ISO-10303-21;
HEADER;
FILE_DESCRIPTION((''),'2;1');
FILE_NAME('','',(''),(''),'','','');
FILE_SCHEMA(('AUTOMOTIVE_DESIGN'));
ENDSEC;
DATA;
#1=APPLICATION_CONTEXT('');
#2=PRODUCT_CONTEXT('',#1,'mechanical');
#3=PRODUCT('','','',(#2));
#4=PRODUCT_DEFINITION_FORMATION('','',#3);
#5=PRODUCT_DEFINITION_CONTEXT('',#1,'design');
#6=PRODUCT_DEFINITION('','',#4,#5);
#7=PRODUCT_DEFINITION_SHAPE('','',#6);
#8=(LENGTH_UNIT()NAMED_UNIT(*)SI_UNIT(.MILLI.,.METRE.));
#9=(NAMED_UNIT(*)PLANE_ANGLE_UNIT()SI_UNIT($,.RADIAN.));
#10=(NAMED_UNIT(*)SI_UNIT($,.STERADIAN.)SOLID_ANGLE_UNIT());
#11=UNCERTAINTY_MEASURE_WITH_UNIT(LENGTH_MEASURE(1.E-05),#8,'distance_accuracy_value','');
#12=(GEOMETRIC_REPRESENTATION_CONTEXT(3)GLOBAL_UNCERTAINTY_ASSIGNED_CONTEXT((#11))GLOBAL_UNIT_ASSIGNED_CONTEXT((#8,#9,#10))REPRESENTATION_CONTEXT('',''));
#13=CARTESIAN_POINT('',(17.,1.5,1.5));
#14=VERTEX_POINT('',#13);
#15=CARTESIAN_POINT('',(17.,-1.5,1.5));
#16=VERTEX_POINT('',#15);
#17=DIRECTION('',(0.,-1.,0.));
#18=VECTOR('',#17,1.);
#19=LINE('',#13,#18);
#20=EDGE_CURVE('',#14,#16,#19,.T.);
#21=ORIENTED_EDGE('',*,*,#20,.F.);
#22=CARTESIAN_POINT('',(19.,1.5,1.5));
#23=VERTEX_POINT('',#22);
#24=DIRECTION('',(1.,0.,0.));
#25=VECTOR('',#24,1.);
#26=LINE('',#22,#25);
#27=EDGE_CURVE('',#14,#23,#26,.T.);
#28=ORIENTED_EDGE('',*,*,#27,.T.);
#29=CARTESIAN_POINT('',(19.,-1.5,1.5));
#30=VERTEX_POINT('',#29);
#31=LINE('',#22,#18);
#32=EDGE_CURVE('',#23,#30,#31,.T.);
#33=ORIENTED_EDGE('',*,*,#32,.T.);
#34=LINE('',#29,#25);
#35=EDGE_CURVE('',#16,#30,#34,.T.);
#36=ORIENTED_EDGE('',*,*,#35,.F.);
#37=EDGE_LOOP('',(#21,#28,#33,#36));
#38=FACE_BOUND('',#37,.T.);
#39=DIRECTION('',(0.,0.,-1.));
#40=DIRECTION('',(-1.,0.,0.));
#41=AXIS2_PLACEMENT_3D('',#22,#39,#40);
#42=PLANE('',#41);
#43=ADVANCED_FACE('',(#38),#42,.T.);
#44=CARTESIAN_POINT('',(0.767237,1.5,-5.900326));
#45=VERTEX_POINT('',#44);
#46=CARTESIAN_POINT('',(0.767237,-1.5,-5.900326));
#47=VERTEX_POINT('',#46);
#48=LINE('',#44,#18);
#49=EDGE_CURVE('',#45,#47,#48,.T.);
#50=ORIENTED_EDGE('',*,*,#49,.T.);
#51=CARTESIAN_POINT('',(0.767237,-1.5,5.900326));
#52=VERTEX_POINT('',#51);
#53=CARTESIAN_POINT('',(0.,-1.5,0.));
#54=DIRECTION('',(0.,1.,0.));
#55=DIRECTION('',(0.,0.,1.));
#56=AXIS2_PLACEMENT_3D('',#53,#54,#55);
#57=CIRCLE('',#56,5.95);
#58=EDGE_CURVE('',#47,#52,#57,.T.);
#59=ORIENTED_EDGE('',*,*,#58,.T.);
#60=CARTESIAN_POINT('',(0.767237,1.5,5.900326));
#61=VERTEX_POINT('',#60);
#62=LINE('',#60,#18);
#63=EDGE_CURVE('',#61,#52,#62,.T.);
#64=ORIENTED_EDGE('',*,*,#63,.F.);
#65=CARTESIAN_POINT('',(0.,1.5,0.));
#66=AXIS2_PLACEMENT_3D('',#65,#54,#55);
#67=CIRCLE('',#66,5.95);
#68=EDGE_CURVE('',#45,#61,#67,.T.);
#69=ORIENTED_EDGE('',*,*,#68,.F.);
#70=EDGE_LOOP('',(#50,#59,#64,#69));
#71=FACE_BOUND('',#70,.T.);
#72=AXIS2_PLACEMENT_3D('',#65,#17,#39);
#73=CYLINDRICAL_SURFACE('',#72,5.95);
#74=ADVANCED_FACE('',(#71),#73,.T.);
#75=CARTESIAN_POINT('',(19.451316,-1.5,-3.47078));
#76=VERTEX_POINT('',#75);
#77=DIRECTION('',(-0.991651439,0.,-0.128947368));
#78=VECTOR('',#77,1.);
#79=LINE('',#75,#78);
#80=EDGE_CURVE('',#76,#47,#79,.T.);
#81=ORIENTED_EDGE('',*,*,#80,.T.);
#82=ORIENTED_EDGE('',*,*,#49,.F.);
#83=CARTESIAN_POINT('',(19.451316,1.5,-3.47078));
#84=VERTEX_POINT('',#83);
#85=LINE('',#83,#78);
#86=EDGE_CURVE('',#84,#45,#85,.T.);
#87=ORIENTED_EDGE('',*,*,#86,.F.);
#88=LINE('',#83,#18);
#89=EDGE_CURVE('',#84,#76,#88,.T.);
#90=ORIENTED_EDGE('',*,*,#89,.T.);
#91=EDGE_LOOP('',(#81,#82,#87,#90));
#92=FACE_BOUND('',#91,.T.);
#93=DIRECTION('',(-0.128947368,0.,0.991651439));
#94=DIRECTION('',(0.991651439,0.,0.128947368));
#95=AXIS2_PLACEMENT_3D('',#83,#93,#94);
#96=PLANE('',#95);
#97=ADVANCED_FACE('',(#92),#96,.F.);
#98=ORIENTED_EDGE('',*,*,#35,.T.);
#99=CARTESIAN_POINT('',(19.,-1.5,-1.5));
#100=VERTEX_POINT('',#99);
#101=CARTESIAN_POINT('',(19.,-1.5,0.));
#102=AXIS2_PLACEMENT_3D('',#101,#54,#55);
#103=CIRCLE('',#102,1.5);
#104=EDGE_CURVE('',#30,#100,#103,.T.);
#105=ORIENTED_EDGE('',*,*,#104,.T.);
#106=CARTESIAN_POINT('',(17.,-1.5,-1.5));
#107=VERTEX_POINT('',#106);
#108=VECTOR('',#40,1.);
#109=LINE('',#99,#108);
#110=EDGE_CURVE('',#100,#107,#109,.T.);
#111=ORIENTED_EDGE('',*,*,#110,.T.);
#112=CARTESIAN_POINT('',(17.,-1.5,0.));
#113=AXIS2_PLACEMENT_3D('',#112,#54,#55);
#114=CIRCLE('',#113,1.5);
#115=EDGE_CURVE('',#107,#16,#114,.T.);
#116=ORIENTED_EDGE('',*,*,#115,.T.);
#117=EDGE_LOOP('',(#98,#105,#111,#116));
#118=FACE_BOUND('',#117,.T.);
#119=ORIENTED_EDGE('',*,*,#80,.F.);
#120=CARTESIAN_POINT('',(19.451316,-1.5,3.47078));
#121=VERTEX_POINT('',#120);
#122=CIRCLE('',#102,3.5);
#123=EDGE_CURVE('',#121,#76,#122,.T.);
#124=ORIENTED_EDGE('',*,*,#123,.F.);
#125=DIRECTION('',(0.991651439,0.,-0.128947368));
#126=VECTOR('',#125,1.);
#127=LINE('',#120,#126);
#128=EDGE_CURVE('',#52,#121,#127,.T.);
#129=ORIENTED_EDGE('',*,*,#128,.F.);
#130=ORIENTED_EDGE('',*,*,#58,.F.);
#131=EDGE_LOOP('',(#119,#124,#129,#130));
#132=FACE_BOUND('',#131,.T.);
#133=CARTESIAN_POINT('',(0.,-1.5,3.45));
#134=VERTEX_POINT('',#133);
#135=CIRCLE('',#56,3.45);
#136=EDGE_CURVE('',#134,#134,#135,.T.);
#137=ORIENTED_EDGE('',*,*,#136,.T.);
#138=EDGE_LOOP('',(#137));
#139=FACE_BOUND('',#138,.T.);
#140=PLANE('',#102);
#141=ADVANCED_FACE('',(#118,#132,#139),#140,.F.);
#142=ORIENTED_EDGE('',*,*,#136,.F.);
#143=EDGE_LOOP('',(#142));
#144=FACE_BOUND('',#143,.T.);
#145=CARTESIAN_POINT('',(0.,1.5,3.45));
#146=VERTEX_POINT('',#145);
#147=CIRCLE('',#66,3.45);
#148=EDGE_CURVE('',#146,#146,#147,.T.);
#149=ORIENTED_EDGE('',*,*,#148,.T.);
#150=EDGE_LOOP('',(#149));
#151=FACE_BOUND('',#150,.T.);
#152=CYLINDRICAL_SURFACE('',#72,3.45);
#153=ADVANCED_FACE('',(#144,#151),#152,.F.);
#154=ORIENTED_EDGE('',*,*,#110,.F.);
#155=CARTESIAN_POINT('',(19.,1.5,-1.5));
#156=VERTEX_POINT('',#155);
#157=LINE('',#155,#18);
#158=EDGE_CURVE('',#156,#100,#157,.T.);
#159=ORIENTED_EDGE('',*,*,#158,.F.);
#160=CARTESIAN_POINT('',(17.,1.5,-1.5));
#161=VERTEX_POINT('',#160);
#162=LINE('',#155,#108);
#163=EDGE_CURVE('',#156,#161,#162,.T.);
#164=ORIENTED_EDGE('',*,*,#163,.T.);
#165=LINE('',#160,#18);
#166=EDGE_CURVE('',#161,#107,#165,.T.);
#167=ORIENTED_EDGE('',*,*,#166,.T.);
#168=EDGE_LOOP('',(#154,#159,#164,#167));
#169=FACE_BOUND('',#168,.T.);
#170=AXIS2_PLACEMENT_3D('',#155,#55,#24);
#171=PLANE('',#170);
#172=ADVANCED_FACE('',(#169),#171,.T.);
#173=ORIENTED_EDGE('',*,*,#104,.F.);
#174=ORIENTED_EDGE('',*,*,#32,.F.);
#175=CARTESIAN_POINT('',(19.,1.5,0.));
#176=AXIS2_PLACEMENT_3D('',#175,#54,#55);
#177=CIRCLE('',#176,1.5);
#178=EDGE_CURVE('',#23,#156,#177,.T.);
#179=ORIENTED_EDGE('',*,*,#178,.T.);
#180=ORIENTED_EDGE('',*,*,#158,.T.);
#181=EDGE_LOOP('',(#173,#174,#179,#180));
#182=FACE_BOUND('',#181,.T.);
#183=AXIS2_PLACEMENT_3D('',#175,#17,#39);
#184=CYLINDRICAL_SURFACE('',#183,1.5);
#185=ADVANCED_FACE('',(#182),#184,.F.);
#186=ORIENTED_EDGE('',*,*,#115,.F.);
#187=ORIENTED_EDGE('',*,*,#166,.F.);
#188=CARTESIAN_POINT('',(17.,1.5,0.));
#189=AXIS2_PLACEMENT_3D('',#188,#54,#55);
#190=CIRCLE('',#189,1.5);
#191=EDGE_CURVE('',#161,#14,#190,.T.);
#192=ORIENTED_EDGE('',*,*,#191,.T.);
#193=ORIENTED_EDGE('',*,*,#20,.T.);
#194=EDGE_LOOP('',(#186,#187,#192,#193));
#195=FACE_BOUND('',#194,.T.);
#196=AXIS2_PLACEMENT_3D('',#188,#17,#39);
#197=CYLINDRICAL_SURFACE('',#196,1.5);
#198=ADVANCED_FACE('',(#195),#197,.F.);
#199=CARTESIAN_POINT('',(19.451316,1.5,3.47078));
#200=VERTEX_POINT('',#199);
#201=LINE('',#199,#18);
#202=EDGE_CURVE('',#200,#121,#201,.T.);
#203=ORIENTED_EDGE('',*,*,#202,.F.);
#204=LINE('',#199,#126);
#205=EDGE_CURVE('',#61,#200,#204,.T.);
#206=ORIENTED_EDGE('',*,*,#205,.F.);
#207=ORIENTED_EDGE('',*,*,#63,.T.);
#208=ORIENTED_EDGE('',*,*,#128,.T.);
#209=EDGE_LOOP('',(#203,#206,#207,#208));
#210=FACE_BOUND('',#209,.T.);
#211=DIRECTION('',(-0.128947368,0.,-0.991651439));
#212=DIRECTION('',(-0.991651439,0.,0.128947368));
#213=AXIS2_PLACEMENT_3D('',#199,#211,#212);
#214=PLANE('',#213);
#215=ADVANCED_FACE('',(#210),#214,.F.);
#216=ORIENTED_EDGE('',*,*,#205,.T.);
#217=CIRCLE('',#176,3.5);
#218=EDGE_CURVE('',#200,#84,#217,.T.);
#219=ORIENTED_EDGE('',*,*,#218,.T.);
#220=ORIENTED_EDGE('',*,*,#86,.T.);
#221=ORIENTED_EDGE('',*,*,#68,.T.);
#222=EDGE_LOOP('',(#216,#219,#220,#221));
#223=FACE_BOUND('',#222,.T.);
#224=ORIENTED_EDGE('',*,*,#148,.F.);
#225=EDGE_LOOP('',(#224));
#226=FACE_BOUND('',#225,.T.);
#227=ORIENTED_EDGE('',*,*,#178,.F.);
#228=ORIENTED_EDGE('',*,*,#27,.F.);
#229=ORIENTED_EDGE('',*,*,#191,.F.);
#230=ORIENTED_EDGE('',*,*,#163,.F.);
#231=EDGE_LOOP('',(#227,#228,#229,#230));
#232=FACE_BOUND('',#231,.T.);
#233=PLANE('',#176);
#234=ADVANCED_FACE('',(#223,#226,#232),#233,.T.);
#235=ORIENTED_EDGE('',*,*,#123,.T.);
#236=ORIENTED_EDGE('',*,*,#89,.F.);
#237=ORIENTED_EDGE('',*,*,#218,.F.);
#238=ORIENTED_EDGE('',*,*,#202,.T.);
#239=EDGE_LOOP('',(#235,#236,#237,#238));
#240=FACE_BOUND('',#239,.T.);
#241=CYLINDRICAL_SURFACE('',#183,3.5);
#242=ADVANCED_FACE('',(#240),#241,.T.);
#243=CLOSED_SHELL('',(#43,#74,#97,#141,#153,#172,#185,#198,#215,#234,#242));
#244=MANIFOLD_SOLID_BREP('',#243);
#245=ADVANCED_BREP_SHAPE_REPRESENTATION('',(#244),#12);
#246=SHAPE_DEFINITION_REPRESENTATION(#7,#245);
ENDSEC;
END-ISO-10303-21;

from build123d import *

# Parameters (mm, degrees)
SKETCH1_R           = 3.45
BOSS_EXTRUDE1_DEPTH = 1.5


with BuildPart() as part:
    # Sketch1 → Boss-Extrude1 (new, symmetric)
    with BuildSketch(Plane(origin=(0, 0, 0), x_dir=(1, 0, 0), z_dir=(0, 1, 0))):
        with BuildLine():
            Line((19.451315789, 3.470780036), (0.767236842, 5.900326061))
            ThreePointArc((0.767236842, 5.900326061), (-5.95, 0), (0.767236842, -5.900326061))
            Line((0.767236842, -5.900326061), (19.451315789, -3.470780036))
            ThreePointArc((19.451315789, -3.470780036), (22.5, 0), (19.451315789, 3.470780036))
        make_face()
        with Locations(Location((0, 0, 0), (0, 0, 270))):
            Circle(SKETCH1_R, mode=Mode.SUBTRACT)
        with BuildLine():
            Line((19, -1.5), (17, -1.5))
            ThreePointArc((17, -1.5), (15.5, 0), (17, 1.5))
            Line((17, 1.5), (19, 1.5))
            ThreePointArc((19, 1.5), (20.5, 0), (19, -1.5))
        make_face(mode=Mode.SUBTRACT)
    extrude(amount=BOSS_EXTRUDE1_DEPTH, both=True)


solid = part.part
